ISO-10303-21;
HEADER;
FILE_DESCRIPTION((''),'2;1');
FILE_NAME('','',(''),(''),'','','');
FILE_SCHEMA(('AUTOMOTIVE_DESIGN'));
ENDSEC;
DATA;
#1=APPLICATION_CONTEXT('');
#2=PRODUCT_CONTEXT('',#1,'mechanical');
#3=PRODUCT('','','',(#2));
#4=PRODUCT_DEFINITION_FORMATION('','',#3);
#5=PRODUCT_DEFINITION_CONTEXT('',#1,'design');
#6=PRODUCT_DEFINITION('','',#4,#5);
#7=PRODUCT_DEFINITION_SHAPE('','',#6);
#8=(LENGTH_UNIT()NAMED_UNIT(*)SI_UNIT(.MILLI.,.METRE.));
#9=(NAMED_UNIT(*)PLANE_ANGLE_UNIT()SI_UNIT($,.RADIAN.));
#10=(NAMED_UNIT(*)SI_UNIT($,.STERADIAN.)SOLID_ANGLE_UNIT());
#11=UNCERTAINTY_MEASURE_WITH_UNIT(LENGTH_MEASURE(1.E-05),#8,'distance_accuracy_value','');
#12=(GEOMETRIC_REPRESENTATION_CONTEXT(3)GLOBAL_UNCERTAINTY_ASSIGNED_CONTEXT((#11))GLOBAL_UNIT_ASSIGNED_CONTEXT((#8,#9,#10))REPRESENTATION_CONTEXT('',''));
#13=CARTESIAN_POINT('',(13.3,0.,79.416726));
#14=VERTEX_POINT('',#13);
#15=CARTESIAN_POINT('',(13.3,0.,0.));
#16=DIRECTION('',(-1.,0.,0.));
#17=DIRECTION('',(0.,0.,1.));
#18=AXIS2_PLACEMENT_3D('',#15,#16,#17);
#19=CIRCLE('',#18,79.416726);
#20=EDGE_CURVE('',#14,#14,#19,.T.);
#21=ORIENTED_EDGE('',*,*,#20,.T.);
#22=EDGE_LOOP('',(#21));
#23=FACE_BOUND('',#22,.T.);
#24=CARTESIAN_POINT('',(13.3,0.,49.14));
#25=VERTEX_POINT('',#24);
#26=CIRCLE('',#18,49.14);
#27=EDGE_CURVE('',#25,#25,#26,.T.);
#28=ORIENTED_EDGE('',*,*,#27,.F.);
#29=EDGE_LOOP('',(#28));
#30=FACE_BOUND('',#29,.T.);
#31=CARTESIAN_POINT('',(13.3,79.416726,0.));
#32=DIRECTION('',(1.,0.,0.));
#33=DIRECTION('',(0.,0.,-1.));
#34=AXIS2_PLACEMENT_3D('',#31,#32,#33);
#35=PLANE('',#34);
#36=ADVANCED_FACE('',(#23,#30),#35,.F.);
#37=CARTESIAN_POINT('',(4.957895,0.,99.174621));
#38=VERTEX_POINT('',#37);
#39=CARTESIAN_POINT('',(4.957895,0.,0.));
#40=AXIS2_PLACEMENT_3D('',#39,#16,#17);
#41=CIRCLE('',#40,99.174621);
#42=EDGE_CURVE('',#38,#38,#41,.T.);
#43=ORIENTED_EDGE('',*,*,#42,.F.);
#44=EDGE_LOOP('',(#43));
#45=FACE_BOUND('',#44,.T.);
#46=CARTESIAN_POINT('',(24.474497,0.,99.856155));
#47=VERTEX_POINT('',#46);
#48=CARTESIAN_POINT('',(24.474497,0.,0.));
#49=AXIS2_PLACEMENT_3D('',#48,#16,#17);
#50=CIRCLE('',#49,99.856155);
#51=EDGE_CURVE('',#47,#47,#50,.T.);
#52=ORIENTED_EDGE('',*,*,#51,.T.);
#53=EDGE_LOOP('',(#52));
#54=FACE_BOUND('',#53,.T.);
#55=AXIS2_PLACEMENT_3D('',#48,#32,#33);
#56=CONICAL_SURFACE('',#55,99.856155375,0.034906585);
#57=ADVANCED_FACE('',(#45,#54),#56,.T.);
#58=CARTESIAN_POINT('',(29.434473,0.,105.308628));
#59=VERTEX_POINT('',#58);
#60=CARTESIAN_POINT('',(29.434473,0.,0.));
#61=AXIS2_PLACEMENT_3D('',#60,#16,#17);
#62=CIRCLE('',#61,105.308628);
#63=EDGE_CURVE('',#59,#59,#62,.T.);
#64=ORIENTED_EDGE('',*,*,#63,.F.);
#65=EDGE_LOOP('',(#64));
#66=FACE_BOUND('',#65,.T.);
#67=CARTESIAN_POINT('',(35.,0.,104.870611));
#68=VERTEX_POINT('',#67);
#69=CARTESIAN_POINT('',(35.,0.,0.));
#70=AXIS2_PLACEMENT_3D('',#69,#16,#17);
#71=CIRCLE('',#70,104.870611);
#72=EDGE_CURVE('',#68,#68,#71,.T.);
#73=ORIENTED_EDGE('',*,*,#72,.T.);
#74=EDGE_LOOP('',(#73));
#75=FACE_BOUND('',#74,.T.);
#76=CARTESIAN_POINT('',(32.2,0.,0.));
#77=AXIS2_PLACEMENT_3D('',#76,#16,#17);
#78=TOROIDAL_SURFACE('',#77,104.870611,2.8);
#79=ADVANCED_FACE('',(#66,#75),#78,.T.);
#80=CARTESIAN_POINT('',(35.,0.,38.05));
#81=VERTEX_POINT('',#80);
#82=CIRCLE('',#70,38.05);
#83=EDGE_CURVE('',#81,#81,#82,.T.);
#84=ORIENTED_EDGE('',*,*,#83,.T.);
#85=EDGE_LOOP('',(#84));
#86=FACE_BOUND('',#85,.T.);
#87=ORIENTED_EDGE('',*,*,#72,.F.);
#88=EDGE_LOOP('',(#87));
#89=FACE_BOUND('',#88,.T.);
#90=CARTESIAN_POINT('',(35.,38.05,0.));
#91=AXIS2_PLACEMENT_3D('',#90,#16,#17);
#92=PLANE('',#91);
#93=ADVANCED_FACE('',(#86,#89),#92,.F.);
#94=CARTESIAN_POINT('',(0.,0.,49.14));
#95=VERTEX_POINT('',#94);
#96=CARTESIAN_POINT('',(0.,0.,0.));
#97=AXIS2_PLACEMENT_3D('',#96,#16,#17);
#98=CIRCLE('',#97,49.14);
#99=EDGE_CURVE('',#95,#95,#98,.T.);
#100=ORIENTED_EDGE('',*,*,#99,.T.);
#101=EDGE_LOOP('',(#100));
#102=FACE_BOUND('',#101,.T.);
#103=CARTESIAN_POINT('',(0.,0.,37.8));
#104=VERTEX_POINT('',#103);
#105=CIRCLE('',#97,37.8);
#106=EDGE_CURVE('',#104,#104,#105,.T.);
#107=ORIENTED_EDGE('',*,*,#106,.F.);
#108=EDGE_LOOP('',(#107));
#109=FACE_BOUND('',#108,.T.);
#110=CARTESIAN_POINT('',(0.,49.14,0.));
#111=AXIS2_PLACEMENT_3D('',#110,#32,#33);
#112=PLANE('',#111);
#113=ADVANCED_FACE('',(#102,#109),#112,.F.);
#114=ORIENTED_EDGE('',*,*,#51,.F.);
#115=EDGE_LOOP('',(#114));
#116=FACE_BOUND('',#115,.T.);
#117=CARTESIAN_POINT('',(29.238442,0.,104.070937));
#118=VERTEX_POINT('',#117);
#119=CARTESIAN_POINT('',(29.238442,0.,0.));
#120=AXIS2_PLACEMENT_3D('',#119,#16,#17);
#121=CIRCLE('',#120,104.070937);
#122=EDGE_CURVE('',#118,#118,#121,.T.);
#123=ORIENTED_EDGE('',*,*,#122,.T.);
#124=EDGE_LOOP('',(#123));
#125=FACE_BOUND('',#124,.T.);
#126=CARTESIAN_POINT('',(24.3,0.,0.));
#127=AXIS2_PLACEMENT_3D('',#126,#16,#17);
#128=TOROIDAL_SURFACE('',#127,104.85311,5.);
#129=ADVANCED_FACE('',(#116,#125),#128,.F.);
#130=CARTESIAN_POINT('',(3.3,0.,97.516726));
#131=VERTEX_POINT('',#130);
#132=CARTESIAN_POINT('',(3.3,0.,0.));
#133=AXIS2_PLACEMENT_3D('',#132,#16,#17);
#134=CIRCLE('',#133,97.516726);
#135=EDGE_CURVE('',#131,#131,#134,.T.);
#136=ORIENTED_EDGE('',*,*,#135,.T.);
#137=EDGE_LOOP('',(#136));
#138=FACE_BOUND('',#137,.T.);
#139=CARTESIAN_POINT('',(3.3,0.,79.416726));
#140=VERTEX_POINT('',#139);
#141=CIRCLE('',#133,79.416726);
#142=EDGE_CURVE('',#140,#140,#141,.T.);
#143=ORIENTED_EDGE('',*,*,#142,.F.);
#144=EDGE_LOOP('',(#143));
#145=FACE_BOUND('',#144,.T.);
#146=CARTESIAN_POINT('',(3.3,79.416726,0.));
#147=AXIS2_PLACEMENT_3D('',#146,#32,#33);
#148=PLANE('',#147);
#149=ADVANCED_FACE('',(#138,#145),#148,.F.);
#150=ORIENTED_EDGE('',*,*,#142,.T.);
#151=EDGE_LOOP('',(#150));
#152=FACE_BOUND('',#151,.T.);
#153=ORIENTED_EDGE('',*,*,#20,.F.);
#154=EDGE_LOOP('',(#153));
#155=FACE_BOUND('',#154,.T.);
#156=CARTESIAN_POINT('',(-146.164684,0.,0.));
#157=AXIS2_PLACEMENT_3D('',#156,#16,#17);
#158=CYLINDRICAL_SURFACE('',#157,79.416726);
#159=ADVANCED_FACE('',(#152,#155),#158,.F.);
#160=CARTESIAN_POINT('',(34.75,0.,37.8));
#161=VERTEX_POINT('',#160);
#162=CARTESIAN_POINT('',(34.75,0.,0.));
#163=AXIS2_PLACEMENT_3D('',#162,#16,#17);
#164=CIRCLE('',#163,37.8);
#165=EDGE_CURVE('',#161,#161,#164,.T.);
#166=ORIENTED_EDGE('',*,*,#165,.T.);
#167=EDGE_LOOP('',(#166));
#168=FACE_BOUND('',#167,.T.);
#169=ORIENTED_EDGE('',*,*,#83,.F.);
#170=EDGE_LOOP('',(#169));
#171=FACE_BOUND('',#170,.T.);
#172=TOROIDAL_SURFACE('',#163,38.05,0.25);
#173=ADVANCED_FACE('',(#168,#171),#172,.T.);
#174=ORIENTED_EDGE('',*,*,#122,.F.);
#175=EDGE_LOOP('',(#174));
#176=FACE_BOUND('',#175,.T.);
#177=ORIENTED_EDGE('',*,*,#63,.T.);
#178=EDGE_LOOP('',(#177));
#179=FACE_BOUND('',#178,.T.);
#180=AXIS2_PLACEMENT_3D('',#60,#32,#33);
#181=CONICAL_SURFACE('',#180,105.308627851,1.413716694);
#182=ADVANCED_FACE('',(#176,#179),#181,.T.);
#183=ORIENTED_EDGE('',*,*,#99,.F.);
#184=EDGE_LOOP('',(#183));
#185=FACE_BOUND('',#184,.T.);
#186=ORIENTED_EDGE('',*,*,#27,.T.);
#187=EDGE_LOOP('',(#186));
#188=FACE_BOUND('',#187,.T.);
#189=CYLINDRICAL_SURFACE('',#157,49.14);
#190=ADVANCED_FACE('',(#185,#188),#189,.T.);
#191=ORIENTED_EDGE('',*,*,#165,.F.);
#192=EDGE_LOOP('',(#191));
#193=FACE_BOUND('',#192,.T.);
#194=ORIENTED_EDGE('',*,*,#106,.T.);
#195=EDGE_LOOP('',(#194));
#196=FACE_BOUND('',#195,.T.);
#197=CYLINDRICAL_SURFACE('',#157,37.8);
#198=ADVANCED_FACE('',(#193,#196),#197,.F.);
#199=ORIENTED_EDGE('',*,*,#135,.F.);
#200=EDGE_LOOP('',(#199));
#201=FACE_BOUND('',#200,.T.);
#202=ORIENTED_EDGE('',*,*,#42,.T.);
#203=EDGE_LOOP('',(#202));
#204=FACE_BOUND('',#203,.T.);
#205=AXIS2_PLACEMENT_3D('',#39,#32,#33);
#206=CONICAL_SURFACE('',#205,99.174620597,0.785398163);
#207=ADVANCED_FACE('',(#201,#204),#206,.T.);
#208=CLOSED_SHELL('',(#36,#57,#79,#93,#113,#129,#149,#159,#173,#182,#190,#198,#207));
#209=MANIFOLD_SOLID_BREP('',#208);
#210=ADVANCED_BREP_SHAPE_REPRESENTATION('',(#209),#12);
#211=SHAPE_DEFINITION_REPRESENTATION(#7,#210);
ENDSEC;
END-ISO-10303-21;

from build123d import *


with BuildPart() as part:
    # Sketch1 → Revolve1 (revolve)
    with BuildSketch(Plane.XY, mode=Mode.PRIVATE) as revolve1_sk:
        with BuildLine():
            Line((0, 37.8), (34.75, 37.8))
            ThreePointArc((34.75, 37.8), (34.926776695, 37.873223305), (35, 38.05))
            Line((35, 38.05), (35, 104.870611348))
            ThreePointArc((35, 104.870611348), (32.419685468, 107.661979883), (29.434472646, 105.308627851))
            Line((29.434472646, 105.308627851), (29.238441703, 104.070937185))
            ThreePointArc((29.238441703, 104.070937185), (27.613100241, 101.108330906), (24.474497484, 99.856155375))
            Line((24.474497484, 99.856155375), (4.957894968, 99.174620597))
            Line((4.957894968, 99.174620597), (3.3, 97.516725629))
            Line((3.3, 97.516725629), (3.3, 79.416725629))
            Line((3.3, 79.416725629), (13.3, 79.416725629))
            Line((13.3, 79.416725629), (13.3, 49.14))
            Line((13.3, 49.14), (0, 49.14))
            Line((0, 49.14), (0, 37.8))
        make_face()
    revolve(revolve1_sk.sketch.rotate(Axis((-146.164683843, 0, 0), (1, 0, 0)), 90), axis=Axis((-146.164683843, 0, 0), (1, 0, 0)))


solid = part.part
